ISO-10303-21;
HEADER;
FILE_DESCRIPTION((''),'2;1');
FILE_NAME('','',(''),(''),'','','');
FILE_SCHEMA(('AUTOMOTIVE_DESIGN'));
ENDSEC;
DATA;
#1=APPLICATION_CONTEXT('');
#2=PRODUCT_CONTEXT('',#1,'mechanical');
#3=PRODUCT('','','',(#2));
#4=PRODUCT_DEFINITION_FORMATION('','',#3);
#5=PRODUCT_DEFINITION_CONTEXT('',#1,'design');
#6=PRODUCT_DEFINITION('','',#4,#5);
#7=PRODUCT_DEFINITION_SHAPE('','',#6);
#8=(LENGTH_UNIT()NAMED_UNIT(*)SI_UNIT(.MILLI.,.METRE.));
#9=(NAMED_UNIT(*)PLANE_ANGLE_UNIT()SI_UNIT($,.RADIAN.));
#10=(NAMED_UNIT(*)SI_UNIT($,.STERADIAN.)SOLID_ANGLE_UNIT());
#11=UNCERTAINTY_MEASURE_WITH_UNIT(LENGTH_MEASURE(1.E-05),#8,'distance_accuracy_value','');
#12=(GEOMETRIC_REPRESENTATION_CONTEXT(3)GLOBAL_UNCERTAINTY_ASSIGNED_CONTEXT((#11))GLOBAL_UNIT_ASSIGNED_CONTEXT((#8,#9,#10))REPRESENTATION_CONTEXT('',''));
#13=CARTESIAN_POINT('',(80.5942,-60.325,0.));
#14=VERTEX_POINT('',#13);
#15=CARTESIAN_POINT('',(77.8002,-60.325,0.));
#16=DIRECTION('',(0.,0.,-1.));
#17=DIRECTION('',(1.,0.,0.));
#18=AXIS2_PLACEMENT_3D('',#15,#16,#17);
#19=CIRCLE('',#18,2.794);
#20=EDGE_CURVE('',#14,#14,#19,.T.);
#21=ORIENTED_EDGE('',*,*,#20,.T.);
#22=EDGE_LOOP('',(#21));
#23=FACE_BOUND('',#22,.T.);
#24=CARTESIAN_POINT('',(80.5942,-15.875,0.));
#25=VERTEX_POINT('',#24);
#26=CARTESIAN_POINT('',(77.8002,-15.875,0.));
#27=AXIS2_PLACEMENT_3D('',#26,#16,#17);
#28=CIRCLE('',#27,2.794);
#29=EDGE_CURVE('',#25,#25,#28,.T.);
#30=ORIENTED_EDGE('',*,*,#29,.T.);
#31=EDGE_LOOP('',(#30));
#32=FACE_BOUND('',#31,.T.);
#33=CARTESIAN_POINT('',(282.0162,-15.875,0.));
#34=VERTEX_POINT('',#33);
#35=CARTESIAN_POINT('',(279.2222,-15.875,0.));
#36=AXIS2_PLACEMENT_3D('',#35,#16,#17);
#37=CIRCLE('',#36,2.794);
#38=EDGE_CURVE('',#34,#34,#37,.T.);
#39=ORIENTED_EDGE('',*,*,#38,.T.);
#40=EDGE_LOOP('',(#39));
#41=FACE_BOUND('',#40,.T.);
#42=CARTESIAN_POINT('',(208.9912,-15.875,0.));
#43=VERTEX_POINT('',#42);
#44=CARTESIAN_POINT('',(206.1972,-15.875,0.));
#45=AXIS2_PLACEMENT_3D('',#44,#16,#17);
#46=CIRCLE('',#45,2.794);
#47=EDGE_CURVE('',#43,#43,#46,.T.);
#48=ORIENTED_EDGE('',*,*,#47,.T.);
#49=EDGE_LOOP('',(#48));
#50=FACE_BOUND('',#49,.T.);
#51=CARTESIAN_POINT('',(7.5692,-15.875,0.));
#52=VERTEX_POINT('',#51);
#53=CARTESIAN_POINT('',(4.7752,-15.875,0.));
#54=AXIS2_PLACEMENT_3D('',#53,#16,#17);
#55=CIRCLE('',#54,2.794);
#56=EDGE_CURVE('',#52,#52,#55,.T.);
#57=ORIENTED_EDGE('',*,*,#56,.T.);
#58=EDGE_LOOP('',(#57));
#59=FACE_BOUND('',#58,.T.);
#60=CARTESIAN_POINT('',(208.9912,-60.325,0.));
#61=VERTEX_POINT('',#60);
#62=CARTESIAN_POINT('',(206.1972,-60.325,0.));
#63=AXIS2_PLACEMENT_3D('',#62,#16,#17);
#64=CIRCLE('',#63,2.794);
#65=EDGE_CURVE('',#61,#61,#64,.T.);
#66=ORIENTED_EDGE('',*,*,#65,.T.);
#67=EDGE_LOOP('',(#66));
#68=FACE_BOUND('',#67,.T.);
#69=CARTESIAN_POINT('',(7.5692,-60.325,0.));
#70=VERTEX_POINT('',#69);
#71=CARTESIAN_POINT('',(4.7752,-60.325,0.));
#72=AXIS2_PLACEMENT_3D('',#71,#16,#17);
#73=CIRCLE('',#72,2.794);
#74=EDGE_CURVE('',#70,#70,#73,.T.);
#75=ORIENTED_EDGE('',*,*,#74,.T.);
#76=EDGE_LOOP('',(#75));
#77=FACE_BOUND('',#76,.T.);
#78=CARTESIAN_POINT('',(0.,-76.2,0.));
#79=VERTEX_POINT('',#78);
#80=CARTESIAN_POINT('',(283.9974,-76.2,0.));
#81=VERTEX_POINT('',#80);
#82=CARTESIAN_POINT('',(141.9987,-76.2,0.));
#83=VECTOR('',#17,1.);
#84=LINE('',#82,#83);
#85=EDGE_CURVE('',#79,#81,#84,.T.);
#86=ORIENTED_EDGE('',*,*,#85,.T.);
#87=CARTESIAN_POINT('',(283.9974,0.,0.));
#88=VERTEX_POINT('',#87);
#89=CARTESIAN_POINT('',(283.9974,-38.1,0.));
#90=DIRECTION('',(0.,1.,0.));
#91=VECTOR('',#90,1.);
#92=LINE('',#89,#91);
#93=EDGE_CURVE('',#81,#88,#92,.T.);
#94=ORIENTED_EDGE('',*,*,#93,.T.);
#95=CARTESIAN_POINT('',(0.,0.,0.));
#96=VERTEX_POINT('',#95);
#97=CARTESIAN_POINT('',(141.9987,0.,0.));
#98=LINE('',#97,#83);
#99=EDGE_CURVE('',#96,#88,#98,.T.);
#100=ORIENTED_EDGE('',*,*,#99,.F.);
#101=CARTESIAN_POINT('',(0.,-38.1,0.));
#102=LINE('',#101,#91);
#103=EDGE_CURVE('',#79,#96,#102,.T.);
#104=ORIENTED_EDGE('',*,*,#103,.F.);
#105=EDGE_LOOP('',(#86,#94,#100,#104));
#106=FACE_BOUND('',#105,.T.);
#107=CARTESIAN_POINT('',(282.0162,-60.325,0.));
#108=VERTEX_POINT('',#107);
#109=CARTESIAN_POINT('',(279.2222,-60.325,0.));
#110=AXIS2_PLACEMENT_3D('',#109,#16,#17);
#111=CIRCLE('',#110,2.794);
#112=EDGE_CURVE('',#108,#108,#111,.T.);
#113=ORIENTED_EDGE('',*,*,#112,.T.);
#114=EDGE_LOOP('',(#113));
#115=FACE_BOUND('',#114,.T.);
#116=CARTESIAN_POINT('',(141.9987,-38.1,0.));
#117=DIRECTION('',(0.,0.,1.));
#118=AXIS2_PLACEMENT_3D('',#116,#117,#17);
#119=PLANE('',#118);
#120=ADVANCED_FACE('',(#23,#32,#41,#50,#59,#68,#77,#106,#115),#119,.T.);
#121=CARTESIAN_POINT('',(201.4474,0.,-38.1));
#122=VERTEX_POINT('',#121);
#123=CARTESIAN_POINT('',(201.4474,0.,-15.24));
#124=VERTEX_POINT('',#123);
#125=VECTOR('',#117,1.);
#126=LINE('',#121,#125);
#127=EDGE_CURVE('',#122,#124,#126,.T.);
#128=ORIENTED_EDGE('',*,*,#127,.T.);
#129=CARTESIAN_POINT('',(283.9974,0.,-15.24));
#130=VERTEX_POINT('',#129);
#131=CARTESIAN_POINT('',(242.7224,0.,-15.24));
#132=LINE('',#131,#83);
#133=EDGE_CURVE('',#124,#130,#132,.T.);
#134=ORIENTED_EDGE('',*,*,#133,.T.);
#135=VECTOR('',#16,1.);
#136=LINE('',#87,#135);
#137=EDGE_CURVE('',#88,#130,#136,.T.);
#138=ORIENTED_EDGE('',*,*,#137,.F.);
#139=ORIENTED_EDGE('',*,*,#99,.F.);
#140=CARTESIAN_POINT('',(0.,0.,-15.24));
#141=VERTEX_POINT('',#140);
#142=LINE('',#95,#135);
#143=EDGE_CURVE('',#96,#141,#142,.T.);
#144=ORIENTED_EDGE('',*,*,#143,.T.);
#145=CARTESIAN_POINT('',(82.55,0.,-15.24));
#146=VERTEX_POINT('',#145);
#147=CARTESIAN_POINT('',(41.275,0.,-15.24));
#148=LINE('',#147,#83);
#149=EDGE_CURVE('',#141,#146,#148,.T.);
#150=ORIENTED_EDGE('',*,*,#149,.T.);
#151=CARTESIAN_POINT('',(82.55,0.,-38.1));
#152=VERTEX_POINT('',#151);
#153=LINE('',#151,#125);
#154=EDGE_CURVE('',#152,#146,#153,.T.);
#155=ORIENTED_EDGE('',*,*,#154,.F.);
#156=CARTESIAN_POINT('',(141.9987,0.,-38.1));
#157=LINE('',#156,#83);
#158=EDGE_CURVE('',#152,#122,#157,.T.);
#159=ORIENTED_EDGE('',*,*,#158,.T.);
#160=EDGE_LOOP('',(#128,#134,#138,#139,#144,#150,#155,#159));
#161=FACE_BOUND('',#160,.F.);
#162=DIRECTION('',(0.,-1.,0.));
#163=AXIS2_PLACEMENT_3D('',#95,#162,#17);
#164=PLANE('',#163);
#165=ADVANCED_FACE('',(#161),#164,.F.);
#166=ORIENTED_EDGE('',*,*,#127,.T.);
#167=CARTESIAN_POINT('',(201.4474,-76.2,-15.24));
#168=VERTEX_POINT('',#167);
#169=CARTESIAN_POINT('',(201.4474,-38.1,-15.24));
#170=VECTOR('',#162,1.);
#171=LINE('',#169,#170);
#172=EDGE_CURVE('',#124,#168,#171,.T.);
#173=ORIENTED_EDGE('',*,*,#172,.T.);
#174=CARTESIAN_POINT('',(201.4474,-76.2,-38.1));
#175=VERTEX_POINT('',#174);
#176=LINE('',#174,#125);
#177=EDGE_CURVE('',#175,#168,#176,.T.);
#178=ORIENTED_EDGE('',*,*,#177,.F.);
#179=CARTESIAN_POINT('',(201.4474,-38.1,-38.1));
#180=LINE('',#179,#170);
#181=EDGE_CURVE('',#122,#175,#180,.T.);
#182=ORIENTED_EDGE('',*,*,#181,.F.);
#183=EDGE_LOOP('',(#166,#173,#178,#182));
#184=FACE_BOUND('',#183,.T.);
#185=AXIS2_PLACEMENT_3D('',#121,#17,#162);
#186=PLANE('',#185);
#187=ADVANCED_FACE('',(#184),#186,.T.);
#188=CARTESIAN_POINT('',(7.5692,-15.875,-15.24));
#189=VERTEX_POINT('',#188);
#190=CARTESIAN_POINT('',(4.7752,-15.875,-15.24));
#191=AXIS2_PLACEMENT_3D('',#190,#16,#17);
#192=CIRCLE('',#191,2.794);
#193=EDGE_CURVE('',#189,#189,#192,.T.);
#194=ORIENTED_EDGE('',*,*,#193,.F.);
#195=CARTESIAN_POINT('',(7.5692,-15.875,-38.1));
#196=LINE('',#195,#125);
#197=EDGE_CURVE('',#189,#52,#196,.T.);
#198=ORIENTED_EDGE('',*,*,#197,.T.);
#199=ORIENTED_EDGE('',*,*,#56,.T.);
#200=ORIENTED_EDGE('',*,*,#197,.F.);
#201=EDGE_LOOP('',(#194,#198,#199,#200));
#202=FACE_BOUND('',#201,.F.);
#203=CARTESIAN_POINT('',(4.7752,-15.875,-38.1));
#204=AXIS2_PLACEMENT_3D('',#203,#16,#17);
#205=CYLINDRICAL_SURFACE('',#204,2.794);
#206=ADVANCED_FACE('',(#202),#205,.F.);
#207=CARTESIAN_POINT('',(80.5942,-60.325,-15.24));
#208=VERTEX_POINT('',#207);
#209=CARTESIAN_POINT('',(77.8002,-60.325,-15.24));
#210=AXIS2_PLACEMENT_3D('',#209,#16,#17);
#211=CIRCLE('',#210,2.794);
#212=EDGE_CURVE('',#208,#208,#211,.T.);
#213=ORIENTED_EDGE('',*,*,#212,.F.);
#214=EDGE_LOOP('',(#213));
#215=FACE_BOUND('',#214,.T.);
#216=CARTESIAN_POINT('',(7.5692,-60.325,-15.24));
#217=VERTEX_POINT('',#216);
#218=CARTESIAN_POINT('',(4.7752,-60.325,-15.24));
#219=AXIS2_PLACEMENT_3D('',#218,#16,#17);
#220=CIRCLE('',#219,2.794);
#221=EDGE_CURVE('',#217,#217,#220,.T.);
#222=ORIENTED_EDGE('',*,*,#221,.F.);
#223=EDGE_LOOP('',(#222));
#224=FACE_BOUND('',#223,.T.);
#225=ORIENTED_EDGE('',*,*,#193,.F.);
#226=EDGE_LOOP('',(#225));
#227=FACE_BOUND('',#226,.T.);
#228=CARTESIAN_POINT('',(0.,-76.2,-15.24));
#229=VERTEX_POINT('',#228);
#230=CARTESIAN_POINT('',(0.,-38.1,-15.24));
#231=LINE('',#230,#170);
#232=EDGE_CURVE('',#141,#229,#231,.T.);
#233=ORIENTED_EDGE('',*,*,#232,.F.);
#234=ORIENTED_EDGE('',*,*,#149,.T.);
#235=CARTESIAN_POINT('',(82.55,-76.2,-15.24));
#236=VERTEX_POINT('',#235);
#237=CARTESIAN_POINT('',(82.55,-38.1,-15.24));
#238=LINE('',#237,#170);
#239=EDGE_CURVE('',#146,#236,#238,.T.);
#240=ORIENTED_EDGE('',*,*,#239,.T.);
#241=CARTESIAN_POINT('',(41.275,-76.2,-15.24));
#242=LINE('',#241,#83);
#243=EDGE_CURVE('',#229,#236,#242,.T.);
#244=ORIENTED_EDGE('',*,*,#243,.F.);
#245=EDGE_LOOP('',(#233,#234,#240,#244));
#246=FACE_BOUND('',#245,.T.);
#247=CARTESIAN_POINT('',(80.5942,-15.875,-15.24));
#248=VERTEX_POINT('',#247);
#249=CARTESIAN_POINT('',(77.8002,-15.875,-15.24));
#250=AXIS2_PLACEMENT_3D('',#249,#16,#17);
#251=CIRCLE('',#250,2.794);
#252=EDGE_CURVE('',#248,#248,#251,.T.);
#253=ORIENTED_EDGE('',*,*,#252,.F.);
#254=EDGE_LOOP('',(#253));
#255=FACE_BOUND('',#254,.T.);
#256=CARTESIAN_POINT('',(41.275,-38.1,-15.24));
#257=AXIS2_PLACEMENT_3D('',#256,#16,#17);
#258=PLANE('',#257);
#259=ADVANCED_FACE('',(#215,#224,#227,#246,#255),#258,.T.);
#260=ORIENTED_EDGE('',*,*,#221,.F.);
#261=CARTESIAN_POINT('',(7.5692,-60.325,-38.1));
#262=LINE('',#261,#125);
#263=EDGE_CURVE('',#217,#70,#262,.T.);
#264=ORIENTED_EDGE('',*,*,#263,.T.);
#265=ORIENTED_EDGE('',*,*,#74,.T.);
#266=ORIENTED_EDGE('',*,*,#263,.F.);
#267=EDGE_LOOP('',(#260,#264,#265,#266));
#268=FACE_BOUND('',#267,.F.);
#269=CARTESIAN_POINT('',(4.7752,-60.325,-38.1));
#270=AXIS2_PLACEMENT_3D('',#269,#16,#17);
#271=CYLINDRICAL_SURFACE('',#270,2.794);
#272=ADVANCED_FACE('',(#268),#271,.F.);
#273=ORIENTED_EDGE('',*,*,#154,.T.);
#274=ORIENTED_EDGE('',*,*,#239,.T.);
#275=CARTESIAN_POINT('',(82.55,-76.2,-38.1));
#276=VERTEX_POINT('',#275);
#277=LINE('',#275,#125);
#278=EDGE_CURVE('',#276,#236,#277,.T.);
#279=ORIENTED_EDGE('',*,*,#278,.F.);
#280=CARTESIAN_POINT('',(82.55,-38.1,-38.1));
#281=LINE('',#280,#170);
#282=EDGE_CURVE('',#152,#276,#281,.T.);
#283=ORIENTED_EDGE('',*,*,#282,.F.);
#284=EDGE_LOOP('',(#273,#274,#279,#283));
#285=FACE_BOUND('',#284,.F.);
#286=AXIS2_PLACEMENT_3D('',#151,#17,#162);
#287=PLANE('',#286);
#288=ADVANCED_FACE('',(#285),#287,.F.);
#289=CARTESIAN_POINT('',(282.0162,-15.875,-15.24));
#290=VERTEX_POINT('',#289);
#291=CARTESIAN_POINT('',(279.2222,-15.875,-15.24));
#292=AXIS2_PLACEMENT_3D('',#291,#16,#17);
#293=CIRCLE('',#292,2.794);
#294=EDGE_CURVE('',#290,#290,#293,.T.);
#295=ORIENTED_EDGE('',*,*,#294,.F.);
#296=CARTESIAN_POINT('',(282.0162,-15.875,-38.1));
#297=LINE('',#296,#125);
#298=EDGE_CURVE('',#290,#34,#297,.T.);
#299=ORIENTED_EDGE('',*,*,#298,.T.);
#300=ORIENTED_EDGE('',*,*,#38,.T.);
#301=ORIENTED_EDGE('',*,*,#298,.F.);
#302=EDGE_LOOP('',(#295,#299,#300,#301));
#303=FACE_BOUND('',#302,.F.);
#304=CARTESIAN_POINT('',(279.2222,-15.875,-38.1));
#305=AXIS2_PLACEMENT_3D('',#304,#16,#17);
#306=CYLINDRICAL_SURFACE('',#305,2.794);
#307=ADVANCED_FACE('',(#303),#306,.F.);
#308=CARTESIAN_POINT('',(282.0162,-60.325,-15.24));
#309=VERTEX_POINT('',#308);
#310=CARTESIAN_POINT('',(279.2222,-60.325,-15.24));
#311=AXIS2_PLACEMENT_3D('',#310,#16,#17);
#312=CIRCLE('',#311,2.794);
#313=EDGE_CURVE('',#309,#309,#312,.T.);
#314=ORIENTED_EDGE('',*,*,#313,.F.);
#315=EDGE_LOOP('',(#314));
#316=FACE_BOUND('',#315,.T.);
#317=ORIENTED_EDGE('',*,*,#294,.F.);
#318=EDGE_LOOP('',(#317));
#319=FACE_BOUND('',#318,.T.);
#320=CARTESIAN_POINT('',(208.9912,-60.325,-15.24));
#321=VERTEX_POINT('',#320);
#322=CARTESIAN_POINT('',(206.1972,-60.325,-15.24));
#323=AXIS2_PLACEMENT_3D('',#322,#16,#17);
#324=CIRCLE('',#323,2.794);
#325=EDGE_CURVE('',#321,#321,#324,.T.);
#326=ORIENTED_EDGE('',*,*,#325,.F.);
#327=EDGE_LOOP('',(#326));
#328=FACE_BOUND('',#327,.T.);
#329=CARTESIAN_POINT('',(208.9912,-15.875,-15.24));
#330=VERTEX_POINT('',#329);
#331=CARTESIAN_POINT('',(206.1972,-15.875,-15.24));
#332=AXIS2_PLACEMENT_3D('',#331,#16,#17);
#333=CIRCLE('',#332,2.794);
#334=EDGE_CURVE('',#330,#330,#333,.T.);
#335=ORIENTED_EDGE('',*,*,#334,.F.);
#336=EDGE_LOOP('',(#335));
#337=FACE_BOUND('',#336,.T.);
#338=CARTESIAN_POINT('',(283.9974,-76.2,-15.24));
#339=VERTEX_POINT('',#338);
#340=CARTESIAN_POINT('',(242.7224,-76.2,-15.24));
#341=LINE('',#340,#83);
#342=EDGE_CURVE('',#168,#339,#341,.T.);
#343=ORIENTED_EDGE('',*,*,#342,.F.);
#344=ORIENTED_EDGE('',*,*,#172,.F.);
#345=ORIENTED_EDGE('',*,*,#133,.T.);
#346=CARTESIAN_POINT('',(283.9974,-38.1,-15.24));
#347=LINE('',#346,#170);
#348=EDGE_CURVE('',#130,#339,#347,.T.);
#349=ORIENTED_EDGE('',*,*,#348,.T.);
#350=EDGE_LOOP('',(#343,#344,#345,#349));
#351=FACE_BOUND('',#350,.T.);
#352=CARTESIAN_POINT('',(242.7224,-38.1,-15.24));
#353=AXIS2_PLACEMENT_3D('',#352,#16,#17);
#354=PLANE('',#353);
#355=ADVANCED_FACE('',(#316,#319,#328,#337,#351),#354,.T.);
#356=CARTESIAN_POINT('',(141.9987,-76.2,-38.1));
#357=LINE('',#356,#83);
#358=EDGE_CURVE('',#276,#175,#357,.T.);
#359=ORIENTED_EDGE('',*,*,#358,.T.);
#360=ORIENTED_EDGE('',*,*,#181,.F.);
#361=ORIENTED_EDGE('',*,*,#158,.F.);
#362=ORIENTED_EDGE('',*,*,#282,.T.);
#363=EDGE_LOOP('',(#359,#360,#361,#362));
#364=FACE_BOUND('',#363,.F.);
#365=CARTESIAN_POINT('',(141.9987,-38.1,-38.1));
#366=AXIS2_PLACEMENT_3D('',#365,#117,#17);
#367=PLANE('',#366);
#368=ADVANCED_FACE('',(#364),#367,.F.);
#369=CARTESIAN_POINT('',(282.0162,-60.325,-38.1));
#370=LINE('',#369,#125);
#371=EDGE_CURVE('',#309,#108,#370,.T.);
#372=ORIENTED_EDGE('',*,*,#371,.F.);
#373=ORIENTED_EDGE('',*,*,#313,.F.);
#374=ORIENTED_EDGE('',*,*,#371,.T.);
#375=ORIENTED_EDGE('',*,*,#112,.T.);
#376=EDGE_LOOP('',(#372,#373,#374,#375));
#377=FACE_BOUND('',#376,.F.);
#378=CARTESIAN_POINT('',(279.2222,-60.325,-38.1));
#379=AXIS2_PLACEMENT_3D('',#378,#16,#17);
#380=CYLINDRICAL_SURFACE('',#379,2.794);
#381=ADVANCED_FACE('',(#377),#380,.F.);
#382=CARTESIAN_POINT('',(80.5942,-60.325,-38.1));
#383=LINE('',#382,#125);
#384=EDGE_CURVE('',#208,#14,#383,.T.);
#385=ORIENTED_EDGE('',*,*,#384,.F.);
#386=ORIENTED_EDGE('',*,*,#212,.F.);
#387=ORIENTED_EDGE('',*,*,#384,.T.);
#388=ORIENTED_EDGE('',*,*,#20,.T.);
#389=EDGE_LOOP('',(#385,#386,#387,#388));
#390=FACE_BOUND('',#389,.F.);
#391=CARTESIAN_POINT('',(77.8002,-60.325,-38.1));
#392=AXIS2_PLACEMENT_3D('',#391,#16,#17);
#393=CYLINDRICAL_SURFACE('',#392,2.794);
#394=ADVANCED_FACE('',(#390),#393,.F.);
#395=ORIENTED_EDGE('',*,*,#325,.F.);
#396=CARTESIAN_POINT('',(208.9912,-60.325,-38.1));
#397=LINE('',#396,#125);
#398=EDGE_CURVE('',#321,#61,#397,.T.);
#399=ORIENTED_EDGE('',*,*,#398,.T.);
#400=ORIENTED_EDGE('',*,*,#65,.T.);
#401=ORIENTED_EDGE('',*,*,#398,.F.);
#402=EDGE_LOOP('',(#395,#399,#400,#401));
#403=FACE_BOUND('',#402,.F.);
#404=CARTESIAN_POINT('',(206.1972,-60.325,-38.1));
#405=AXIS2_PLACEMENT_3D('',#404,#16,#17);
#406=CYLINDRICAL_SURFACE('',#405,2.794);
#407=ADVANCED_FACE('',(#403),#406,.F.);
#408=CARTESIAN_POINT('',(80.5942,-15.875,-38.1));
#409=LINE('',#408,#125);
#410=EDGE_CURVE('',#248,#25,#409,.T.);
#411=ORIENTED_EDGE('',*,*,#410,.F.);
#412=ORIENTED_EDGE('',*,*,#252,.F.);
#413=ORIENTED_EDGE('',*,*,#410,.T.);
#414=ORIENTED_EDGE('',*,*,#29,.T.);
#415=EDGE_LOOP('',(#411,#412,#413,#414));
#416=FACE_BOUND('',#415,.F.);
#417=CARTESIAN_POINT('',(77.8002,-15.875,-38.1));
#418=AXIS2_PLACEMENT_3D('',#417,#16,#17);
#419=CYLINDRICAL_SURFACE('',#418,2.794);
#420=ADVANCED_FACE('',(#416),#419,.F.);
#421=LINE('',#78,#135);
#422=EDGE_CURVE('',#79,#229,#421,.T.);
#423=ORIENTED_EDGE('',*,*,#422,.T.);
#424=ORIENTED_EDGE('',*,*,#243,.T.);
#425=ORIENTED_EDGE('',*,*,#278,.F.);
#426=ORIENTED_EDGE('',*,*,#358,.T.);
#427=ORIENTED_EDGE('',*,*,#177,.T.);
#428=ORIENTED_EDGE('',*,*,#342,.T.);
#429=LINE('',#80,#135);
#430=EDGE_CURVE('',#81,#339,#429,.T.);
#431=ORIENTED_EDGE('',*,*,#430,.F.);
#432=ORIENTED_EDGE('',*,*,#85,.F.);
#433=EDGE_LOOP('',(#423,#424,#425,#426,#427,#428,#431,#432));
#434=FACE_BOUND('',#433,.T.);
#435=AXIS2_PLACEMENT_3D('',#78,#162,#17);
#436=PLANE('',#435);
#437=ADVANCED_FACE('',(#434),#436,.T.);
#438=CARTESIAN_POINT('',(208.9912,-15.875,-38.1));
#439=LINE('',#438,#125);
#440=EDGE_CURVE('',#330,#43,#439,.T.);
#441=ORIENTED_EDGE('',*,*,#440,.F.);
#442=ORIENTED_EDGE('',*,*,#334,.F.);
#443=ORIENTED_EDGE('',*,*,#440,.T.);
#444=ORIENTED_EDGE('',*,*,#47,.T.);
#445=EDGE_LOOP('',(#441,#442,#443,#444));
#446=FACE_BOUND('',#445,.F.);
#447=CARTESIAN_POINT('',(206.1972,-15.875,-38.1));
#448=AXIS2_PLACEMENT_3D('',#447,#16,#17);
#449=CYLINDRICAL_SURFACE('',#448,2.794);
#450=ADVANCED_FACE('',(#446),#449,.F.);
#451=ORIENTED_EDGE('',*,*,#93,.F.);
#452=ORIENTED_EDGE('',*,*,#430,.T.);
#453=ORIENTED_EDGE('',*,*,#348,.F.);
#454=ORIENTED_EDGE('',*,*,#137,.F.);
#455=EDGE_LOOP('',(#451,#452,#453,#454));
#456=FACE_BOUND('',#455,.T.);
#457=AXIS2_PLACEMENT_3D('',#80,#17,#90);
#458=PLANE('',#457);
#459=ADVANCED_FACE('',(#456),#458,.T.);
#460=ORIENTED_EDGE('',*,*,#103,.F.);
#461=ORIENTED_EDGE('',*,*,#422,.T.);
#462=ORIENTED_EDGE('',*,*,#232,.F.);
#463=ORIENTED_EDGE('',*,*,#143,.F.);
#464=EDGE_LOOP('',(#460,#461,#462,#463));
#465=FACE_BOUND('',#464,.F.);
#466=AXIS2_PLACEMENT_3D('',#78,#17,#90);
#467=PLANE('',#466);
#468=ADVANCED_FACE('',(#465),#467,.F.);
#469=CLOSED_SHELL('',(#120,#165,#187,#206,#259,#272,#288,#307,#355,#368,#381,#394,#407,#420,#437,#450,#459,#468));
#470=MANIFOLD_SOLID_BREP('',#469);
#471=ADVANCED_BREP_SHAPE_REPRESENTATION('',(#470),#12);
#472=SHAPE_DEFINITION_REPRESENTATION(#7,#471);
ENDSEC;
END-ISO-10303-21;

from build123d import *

# Parameters (mm, degrees)
F0_W     = 283.9974
F0_H     = 76.2
F1_DEPTH = 38.1
F4_R     = 2.794
F3_R     = 2.794
F5_DEPTH = 38.101
F2_W     = 82.55
F2_H     = 76.2
F6_DEPTH = 22.86


with BuildPart() as f1:
    # F0 (on Top) → F1 (new body)
    with BuildSketch(Plane.XY):
        with Locations((141.9987, -38.1)):
            Rectangle(F0_W, F0_H)
    extrude(amount=-F1_DEPTH)

    # F4 (on face) + F3 (on face) → F5 (cut, through all)
    with BuildSketch(Plane(origin=(0, 0, -38.1), x_dir=(1, 0, 0), z_dir=(0, 0, -1))):
        with Locations((279.2222, 15.875)):
            Circle(F4_R)
        with Locations((279.2222, 60.325)):
            Circle(F4_R)
        with Locations((206.1972, 60.325)):
            Circle(F4_R)
        with Locations((206.1972, 15.875)):
            Circle(F4_R)
    with BuildSketch(Plane(origin=(0, 0, -38.1), x_dir=(1, 0, 0), z_dir=(0, 0, -1))):
        with Locations((77.8002, 60.325)):
            Circle(F3_R)
        with Locations((77.8002, 15.875)):
            Circle(F3_R)
        with Locations((4.7752, 15.875)):
            Circle(F3_R)
        with Locations((4.7752, 60.325)):
            Circle(F3_R)
    extrude(amount=-F5_DEPTH, mode=Mode.SUBTRACT)

    # F2 (on face) → F6 (cut)
    with BuildSketch(Plane(origin=(0, 0, -38.1), x_dir=(1, 0, 0), z_dir=(0, 0, -1))):
        with Locations((41.275, 38.1)):
            Rectangle(F2_W, F2_H)
        with Locations((242.7224, 38.1)):
            Rectangle(F2_W, F2_H)
    extrude(amount=-F6_DEPTH, mode=Mode.SUBTRACT)


solid = f1.part
